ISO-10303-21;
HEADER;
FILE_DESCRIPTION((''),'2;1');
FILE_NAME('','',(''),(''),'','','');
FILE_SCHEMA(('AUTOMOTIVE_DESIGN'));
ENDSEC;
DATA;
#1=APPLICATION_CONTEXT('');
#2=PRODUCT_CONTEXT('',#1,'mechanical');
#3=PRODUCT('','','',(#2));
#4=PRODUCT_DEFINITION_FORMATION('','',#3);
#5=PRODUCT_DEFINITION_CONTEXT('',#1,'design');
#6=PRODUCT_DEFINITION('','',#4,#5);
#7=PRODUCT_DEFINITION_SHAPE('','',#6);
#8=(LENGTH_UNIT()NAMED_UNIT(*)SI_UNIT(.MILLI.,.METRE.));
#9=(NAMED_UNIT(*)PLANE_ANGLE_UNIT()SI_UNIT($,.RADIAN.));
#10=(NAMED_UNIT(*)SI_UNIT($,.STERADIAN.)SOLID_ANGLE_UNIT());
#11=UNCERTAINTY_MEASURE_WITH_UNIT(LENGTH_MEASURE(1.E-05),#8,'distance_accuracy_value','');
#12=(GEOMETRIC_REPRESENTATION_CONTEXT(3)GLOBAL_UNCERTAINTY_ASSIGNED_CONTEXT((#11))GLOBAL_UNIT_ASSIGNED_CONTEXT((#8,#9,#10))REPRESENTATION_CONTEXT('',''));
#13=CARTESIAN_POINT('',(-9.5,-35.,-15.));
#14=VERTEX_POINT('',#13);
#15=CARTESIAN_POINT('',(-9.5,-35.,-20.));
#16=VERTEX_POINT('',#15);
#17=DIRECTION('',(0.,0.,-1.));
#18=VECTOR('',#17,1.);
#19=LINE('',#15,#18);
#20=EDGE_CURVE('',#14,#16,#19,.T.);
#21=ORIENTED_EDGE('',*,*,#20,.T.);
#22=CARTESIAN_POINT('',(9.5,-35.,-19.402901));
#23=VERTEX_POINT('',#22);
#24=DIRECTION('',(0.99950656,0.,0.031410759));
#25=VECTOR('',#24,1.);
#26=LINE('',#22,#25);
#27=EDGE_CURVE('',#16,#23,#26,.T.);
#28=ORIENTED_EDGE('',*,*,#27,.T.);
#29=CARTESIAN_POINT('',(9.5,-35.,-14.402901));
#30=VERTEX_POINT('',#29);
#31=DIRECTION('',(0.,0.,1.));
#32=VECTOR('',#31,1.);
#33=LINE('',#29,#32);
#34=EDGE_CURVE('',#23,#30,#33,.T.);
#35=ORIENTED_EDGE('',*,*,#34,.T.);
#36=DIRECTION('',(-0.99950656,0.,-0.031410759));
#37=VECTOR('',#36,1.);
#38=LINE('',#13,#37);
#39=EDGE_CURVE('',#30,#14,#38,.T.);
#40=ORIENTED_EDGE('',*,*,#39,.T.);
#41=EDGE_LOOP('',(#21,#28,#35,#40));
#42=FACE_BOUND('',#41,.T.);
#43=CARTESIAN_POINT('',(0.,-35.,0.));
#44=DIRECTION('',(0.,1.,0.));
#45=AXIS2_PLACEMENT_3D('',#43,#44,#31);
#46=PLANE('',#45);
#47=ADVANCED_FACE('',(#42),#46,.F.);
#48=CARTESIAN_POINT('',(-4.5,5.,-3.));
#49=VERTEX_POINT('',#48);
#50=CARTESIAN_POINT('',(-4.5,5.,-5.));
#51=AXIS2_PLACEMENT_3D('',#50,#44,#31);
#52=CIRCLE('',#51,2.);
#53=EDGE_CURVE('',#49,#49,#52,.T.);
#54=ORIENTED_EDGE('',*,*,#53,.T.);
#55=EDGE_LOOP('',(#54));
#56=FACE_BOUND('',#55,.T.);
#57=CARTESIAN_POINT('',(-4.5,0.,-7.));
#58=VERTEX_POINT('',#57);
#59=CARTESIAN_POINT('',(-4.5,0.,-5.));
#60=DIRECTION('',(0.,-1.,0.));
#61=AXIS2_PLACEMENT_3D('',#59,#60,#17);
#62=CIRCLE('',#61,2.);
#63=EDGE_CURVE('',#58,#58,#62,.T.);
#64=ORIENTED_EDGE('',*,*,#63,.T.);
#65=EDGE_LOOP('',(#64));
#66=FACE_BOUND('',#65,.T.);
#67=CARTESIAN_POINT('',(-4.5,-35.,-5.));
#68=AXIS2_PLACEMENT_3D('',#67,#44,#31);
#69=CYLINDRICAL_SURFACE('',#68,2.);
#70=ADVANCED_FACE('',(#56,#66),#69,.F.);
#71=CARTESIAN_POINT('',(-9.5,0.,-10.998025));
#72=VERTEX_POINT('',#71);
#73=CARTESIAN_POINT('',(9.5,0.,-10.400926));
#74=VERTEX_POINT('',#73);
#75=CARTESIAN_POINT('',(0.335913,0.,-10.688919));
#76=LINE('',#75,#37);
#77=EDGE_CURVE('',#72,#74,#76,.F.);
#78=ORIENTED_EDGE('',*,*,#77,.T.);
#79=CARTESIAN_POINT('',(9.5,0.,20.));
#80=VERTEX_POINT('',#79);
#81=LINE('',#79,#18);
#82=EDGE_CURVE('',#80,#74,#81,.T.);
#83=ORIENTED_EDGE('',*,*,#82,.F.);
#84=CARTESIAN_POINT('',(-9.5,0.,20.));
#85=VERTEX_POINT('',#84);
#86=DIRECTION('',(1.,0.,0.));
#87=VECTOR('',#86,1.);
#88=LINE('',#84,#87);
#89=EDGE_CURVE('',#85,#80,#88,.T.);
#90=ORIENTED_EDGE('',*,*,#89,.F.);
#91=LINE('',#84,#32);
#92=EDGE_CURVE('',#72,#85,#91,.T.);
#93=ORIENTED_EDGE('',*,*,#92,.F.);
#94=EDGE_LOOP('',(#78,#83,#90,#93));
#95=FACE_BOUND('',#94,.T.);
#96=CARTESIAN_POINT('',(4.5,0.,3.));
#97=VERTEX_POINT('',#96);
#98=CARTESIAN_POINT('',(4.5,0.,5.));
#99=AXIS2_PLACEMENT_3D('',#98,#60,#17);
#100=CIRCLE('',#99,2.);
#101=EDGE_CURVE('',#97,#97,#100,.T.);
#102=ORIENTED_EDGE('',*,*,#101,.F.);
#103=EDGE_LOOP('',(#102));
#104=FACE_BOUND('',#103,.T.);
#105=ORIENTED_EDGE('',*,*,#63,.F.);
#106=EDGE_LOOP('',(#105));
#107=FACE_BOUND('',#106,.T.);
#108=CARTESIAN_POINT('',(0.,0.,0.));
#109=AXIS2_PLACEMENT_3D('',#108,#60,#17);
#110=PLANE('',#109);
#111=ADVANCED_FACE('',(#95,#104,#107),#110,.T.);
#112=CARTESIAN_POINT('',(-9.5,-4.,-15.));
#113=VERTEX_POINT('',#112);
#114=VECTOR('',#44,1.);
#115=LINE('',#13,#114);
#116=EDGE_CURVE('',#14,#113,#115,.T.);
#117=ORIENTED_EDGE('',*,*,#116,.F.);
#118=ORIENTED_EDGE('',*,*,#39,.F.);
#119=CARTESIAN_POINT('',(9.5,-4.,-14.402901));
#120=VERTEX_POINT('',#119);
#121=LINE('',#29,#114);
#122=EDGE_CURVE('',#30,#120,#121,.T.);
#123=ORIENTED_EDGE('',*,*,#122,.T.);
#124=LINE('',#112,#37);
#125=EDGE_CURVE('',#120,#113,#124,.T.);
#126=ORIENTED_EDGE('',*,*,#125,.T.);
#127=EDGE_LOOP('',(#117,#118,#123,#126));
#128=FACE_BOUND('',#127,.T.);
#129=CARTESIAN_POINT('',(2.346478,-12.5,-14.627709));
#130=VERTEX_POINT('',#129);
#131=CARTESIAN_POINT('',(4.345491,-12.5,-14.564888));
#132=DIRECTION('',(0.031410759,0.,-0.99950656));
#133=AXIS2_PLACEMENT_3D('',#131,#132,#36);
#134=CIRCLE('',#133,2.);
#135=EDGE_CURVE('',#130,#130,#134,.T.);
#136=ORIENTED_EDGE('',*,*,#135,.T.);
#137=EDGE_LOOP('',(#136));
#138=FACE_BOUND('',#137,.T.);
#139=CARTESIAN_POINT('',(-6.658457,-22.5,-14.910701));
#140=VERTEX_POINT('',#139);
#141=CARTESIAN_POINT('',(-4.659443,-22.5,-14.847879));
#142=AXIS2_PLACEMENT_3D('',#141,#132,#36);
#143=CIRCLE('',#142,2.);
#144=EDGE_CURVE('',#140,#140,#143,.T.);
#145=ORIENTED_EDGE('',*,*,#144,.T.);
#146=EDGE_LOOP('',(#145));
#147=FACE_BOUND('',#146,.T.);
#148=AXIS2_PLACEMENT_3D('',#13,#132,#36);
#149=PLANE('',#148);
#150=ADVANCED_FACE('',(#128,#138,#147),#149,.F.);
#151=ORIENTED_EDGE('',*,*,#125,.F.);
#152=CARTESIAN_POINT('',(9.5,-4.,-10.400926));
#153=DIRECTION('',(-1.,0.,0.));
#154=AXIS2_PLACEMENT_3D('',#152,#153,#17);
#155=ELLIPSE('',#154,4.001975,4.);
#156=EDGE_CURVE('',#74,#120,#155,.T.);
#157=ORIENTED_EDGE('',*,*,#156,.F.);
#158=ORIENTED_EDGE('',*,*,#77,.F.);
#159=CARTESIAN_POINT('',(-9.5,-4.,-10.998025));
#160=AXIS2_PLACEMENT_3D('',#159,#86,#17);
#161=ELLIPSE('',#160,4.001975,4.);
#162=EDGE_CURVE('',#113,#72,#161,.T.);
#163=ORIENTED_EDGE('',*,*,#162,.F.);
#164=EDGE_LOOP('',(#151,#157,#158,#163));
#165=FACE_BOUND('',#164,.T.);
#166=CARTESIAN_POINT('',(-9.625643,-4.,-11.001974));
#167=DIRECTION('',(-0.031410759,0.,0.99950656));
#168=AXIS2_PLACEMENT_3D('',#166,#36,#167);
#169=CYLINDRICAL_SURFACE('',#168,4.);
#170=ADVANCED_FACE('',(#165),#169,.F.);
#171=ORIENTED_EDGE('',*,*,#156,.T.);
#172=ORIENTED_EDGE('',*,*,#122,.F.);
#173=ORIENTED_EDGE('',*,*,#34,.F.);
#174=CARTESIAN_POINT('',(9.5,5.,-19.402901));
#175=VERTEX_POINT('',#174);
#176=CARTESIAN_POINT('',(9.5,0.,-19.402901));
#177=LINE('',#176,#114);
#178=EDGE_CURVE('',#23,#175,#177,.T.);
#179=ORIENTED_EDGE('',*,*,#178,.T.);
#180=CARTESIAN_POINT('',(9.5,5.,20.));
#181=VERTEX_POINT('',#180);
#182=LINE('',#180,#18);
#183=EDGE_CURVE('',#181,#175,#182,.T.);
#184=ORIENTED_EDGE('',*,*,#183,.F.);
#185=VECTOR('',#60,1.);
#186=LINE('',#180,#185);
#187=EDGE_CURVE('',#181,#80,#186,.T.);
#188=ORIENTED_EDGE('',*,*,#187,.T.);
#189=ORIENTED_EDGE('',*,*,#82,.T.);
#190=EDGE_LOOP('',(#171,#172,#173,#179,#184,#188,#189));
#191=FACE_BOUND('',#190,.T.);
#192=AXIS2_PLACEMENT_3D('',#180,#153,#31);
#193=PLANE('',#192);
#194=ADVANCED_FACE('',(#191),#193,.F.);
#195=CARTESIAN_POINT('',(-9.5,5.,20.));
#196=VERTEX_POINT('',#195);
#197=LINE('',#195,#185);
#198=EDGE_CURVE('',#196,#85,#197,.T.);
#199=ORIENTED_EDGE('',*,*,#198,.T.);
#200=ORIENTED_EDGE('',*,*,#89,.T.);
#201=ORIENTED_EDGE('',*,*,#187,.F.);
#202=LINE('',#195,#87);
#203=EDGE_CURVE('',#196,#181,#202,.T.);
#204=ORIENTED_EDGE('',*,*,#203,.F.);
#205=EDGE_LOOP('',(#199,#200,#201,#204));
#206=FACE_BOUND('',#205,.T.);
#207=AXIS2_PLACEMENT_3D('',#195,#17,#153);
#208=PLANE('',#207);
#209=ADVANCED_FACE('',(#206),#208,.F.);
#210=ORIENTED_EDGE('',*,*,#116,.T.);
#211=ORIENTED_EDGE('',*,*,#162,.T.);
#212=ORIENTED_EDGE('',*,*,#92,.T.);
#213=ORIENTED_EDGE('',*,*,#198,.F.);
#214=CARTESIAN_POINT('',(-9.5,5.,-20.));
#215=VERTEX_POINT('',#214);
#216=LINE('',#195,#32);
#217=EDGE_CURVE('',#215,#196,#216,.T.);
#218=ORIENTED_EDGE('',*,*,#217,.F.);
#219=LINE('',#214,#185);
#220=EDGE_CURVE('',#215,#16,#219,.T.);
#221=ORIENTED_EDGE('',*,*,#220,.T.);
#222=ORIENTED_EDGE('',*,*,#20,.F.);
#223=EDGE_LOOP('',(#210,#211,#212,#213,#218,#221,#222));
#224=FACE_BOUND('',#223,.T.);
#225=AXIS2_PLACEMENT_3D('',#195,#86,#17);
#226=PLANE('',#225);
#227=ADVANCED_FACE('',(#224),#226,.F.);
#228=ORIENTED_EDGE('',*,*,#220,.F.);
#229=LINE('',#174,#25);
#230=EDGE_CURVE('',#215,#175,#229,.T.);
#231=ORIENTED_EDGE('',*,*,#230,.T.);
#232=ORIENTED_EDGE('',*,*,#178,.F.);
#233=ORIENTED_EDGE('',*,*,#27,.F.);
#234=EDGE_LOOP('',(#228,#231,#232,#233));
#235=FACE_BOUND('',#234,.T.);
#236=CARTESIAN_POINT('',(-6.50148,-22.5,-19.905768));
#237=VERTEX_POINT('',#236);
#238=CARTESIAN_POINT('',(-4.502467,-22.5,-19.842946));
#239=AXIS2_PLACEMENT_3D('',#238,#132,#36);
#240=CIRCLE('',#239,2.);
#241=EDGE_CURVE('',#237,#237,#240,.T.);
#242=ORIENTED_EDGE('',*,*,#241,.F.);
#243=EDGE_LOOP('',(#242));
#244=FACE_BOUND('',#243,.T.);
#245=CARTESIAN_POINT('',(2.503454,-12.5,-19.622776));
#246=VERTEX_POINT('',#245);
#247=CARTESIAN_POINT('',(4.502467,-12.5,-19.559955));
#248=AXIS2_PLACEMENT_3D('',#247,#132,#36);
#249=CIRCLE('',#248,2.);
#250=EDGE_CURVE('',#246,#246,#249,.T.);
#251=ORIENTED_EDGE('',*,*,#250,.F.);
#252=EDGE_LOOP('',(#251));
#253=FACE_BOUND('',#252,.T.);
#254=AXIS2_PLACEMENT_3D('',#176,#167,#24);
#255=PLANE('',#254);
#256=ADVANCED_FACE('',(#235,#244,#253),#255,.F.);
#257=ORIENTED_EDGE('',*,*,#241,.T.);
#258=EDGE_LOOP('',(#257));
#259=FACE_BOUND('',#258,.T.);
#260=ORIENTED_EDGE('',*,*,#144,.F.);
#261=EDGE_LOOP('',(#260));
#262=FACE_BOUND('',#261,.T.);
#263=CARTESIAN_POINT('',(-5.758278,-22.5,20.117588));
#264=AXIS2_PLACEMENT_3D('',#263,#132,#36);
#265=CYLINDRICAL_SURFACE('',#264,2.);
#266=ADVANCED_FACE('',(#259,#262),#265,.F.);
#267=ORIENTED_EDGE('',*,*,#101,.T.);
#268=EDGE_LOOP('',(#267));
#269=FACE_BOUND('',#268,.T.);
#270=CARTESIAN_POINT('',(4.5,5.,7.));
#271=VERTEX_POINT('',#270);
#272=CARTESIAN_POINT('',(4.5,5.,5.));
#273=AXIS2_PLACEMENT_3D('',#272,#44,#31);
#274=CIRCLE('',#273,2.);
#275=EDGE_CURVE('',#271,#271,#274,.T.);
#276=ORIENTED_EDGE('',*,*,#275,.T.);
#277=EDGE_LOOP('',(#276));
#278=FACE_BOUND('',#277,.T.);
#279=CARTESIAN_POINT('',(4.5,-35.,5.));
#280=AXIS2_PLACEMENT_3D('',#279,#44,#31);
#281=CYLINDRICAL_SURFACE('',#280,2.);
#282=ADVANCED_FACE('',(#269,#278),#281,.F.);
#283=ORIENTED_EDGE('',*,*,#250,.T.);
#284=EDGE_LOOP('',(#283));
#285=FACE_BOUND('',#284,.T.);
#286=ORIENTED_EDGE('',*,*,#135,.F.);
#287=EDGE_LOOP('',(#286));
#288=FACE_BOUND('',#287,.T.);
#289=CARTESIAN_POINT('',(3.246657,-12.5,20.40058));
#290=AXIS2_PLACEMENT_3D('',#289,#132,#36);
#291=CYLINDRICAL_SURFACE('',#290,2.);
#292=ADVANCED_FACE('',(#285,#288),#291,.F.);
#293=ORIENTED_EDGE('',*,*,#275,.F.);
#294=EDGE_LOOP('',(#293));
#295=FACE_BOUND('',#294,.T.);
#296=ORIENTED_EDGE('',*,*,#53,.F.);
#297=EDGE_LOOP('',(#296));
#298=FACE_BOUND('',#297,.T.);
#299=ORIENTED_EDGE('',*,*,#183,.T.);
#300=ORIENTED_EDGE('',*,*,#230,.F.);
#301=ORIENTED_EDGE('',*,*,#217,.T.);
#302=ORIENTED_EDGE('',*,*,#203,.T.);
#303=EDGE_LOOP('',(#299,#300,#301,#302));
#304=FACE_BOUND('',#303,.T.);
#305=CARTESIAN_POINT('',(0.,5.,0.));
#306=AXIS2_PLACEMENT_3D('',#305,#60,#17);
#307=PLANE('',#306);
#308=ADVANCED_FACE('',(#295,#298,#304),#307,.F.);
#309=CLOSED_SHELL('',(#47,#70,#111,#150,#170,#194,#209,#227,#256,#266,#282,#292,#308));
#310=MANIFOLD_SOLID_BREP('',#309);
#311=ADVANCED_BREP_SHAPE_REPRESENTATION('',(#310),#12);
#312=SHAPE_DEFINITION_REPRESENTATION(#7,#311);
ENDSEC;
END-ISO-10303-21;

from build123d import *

# Parameters (mm, degrees)
SKETCH1_W           = 19
SKETCH1_H           = 40
BOSS_EXTRUDE1_DEPTH = 5
CUT_EXTRUDE1_DEPTH  = 23.699118926
BOSS_EXTRUDE2_DEPTH = 35
SKETCH5_R           = 2
CUT_EXTRUDE2_DEPTH  = 46.719251962
SKETCH6_R           = 2
CUT_EXTRUDE3_DEPTH  = 54.870648729
FILLET1_R           = 4


with BuildPart() as part:
    # Sketch1 → Boss-Extrude1 (new body)
    with BuildSketch(Plane(origin=(0, 0, 0), x_dir=(1, 0, 0), z_dir=(0, 1, 0))):
        Rectangle(SKETCH1_W, SKETCH1_H)
    extrude(amount=BOSS_EXTRUDE1_DEPTH)

    # Sketch2 → Cut-Extrude1 (cut, through all)
    with BuildSketch(Plane(origin=(0, 5, 0), x_dir=(1, 0, 0), z_dir=(0, 1, 0))):
        Polygon((-9.5, 20), (9.5, 20), (9.5, 19.402900945), align=None)
    extrude(amount=-CUT_EXTRUDE1_DEPTH, mode=Mode.SUBTRACT)

    # Sketch4 → Boss-Extrude2 (add)
    with BuildSketch(Plane.XZ):
        Polygon((9.5, -19.402900945), (-9.5, -20), (-9.5, -15), (9.5, -14.402900945), align=None)
    extrude(amount=BOSS_EXTRUDE2_DEPTH)

    # Sketch5 → Cut-Extrude2 (cut, through all)
    with BuildSketch(Plane(origin=(0, 5, 0), x_dir=(1, 0, 0), z_dir=(0, 1, 0))):
        with Locations(Location((-4.5, 5, 0), (0, 0, 270))):
            Circle(SKETCH5_R)
        with Locations(Location((4.5, -5, 0), (0, 0, 270))):
            Circle(SKETCH5_R)
    extrude(amount=-CUT_EXTRUDE2_DEPTH, mode=Mode.SUBTRACT)

    # Sketch6 → Cut-Extrude3 (cut, through all)
    with BuildSketch(Plane(origin=(0.618532155, 0, -19.682012317), x_dir=(-0.9995065603657318, 0, -0.03141075907812129), z_dir=(0.03141075907812129, 0, -0.9995065603657318))):
        with Locations((-3.885852476, -12.5)):
            Circle(SKETCH6_R)
        with Locations((5.123527505, -22.5)):
            Circle(SKETCH6_R)
    extrude(amount=-CUT_EXTRUDE3_DEPTH, mode=Mode.SUBTRACT)

    # Fillet1
    fillet1_edges = [part.edges().sort_by_distance(p)[0] for p in [
        (0, 0, -14.701450473),
    ]]
    fillet(fillet1_edges, radius=FILLET1_R)


solid = part.part
